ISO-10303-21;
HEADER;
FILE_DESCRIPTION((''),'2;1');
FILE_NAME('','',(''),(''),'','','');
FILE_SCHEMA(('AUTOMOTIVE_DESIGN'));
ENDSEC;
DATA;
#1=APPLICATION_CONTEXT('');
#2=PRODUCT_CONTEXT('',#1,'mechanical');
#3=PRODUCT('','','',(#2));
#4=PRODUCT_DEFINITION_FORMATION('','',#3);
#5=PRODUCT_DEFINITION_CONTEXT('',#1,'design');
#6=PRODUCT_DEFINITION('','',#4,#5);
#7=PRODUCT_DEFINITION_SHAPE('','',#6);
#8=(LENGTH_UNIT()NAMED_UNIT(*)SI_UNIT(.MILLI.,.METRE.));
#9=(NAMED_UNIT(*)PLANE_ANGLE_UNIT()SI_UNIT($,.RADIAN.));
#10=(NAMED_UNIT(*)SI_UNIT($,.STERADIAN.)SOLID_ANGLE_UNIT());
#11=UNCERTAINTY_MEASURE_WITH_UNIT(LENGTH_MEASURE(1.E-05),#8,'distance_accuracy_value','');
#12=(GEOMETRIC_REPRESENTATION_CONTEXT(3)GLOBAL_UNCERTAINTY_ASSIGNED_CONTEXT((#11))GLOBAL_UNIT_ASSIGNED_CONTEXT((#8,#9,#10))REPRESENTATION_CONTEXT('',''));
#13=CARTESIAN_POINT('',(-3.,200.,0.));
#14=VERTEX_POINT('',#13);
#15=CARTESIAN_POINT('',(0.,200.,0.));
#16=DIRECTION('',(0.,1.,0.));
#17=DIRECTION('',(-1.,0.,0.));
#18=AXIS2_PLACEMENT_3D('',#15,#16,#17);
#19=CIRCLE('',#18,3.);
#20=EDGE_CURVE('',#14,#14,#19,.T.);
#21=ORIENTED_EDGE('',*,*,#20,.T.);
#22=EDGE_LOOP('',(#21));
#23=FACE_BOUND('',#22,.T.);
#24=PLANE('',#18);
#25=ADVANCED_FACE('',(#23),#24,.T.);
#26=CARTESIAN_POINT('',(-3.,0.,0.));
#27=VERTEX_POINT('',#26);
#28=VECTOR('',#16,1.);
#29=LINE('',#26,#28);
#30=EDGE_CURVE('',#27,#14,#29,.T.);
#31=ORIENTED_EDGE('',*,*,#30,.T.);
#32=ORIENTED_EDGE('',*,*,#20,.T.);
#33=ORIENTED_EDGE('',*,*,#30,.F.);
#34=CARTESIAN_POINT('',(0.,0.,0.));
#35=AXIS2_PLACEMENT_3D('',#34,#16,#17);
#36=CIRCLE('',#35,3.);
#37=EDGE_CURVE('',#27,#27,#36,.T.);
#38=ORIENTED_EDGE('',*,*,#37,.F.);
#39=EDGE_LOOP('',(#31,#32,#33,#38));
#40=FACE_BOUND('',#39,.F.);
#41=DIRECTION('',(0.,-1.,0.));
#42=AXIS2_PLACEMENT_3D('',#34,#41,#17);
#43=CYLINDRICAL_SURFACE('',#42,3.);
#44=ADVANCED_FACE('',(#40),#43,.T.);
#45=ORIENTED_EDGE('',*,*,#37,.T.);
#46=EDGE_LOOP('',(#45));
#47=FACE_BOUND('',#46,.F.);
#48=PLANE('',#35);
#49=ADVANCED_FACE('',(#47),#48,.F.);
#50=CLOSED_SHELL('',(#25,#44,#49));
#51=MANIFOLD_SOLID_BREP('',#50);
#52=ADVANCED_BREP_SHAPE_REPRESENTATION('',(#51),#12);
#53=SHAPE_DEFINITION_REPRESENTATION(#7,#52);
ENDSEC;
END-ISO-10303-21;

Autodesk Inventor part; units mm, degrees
ref_plane "YZ Plane" through (0, 0, 0) normal (1, 0, 0) x (0, 1, 0)
ref_plane "XZ Plane" through (0, 0, 0) normal (0, 1, 0) x (-1, 0, 0)
ref_plane "XY Plane" through (0, 0, 0) normal (0, 0, 1) x (1, 0, 0)
sketch "Sketch1" plane through (0, 0, 0) normal (0, 1, 0) x (-1, 0, 0)
  circle A0 centre (0, 0) radius 3
  dimension "d0" = 6
extrude "Extrusion1" add sketch "Sketch1" along normal blind 200
properties part number "TUBES"
